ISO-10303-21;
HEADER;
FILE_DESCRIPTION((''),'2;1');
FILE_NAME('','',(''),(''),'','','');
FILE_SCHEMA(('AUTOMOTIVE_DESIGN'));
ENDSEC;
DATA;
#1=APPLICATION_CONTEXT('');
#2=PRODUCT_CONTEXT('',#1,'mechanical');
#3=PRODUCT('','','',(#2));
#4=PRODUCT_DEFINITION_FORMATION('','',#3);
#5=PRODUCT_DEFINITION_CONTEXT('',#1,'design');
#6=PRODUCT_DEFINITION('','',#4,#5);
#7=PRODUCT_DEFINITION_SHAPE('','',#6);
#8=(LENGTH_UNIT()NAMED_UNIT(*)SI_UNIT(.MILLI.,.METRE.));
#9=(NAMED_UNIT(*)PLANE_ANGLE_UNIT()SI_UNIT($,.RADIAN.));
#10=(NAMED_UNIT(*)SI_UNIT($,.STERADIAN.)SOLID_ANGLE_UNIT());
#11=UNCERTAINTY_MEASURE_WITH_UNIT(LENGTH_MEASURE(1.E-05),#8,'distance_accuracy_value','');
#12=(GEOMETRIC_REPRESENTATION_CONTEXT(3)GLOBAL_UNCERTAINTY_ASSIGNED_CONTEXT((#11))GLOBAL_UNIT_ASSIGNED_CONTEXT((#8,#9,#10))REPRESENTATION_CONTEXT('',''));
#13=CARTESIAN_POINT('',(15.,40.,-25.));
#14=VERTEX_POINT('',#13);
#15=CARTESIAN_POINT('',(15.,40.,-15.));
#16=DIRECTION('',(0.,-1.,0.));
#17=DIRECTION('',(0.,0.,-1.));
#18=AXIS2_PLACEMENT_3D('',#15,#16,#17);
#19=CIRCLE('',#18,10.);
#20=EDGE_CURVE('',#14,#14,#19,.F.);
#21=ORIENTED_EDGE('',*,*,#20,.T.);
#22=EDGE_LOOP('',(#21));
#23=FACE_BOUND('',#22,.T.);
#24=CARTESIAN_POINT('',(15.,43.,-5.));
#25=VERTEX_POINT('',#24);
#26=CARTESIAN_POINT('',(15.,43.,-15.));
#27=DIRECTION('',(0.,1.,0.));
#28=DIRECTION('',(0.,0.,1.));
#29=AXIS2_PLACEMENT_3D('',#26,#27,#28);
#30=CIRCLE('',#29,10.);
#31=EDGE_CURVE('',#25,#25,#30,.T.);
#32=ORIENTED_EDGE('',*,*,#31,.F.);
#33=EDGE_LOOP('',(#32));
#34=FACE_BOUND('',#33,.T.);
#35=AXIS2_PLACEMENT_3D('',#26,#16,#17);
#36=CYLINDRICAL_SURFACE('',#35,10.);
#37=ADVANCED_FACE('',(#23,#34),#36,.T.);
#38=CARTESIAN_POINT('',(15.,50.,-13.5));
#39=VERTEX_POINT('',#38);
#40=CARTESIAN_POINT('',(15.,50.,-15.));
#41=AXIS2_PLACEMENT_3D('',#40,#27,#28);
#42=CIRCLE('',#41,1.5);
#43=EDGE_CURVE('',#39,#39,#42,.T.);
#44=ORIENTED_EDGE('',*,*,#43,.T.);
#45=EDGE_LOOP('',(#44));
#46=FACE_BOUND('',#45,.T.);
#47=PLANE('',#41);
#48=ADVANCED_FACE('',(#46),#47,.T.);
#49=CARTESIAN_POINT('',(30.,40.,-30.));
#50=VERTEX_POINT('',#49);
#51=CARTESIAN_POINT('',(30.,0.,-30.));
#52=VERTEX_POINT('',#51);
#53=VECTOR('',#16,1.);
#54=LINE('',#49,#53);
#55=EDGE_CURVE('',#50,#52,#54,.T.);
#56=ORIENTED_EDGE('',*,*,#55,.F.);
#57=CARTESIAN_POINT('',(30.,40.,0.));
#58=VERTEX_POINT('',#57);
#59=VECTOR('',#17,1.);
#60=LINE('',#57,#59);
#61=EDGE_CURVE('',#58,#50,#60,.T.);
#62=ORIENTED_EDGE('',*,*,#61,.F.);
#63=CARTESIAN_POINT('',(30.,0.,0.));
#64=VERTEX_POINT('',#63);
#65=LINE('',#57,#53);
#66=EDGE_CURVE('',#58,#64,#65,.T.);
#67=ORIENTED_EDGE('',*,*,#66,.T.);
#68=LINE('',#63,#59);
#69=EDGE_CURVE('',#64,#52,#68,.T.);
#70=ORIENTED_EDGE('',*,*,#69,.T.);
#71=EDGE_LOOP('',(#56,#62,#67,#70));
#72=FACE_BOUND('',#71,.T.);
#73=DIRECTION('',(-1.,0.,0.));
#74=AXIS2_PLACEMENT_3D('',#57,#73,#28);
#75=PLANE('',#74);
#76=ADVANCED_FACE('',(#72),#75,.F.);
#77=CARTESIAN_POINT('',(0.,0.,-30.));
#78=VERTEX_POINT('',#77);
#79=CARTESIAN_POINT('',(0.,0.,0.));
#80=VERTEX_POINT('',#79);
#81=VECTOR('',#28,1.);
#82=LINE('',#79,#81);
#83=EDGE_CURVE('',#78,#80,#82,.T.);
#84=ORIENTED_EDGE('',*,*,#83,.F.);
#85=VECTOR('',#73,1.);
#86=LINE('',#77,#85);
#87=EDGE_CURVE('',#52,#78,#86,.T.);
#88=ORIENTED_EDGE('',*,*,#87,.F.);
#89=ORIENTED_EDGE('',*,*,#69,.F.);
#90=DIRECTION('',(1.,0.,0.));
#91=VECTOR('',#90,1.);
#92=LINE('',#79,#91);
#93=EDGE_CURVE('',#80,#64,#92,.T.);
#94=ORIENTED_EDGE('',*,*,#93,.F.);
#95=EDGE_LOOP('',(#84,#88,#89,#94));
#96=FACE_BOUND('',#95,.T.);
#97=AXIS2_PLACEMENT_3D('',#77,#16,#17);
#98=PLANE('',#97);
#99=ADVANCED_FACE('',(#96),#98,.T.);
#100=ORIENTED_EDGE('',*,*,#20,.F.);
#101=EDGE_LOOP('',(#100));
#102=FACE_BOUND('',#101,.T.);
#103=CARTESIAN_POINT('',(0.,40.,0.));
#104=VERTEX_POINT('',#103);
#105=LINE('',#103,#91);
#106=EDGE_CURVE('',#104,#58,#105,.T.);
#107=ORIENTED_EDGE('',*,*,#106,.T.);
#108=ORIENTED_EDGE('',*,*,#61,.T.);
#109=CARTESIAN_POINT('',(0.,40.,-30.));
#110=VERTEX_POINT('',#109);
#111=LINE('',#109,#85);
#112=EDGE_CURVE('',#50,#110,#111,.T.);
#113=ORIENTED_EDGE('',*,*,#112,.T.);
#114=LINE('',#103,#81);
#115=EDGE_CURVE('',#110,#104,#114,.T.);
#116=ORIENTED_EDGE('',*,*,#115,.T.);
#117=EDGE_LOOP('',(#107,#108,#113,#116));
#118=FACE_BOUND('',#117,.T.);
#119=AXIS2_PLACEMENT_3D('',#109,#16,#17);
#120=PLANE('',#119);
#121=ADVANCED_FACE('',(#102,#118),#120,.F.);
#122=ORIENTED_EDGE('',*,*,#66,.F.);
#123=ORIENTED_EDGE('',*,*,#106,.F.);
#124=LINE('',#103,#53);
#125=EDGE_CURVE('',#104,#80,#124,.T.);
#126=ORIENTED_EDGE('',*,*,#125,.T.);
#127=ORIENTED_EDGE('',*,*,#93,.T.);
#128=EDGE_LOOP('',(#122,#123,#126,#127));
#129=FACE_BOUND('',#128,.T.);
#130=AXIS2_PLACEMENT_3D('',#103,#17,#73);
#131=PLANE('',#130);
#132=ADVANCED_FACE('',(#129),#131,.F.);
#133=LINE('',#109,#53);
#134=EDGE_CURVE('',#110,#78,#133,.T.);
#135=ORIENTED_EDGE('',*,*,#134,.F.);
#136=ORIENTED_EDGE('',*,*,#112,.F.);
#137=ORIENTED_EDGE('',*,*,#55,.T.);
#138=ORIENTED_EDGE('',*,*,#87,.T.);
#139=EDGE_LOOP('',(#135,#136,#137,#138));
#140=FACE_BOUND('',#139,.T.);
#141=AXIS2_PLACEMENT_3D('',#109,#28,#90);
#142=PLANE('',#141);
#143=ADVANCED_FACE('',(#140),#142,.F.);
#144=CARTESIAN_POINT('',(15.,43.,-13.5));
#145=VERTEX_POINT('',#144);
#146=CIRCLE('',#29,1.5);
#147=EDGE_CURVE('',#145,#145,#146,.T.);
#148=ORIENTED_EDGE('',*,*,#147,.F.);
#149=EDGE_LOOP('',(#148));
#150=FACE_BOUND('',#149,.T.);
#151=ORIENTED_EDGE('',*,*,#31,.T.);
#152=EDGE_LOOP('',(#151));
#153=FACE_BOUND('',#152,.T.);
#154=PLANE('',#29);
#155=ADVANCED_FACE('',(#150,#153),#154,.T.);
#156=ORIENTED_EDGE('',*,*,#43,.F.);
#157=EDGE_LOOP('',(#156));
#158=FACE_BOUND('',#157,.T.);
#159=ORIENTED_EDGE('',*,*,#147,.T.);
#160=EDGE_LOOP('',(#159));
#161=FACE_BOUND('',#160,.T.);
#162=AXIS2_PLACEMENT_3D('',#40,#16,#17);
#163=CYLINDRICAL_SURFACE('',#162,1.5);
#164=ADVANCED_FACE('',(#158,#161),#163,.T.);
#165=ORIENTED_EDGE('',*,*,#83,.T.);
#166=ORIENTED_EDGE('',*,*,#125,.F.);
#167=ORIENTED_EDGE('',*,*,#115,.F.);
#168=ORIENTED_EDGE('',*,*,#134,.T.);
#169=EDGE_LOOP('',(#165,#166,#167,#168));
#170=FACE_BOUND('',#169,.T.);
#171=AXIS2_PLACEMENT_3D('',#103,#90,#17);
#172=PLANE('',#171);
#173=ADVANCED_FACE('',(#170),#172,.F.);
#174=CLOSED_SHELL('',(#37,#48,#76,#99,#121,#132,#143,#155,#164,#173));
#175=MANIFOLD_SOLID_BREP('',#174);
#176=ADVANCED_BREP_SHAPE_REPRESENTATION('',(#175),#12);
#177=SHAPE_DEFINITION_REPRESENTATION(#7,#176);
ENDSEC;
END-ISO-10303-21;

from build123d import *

# Parameters (mm, degrees)
SKETCH1_W           = 30
SKETCH1_H           = 30
BOSS_EXTRUDE1_DEPTH = 40
SKETCH2_R           = 1.5
BOSS_EXTRUDE2_DEPTH = 10
SKETCH4_R           = 10
BOSS_EXTRUDE3_DEPTH = 3


with BuildPart() as part:
    # Sketch1 → Boss-Extrude1 (new body)
    with BuildSketch(Plane(origin=(0, 0, 0), x_dir=(1, 0, 0), z_dir=(0, 1, 0))):
        with Locations((15, 15)):
            Rectangle(SKETCH1_W, SKETCH1_H)
    extrude(amount=BOSS_EXTRUDE1_DEPTH)

    # Sketch2 → Boss-Extrude2 (add)
    with BuildSketch(Plane(origin=(0, 40, 0), x_dir=(1, 0, 0), z_dir=(0, 1, 0))):
        with Locations((15, 15)):
            Circle(SKETCH2_R)
    extrude(amount=BOSS_EXTRUDE2_DEPTH)

    # Sketch4 → Boss-Extrude3 (add)
    with BuildSketch(Plane(origin=(0, 40, 0), x_dir=(1, 0, 0), z_dir=(0, 1, 0))):
        with Locations((15, 15)):
            Circle(SKETCH4_R)
    extrude(amount=BOSS_EXTRUDE3_DEPTH)


solid = part.part
